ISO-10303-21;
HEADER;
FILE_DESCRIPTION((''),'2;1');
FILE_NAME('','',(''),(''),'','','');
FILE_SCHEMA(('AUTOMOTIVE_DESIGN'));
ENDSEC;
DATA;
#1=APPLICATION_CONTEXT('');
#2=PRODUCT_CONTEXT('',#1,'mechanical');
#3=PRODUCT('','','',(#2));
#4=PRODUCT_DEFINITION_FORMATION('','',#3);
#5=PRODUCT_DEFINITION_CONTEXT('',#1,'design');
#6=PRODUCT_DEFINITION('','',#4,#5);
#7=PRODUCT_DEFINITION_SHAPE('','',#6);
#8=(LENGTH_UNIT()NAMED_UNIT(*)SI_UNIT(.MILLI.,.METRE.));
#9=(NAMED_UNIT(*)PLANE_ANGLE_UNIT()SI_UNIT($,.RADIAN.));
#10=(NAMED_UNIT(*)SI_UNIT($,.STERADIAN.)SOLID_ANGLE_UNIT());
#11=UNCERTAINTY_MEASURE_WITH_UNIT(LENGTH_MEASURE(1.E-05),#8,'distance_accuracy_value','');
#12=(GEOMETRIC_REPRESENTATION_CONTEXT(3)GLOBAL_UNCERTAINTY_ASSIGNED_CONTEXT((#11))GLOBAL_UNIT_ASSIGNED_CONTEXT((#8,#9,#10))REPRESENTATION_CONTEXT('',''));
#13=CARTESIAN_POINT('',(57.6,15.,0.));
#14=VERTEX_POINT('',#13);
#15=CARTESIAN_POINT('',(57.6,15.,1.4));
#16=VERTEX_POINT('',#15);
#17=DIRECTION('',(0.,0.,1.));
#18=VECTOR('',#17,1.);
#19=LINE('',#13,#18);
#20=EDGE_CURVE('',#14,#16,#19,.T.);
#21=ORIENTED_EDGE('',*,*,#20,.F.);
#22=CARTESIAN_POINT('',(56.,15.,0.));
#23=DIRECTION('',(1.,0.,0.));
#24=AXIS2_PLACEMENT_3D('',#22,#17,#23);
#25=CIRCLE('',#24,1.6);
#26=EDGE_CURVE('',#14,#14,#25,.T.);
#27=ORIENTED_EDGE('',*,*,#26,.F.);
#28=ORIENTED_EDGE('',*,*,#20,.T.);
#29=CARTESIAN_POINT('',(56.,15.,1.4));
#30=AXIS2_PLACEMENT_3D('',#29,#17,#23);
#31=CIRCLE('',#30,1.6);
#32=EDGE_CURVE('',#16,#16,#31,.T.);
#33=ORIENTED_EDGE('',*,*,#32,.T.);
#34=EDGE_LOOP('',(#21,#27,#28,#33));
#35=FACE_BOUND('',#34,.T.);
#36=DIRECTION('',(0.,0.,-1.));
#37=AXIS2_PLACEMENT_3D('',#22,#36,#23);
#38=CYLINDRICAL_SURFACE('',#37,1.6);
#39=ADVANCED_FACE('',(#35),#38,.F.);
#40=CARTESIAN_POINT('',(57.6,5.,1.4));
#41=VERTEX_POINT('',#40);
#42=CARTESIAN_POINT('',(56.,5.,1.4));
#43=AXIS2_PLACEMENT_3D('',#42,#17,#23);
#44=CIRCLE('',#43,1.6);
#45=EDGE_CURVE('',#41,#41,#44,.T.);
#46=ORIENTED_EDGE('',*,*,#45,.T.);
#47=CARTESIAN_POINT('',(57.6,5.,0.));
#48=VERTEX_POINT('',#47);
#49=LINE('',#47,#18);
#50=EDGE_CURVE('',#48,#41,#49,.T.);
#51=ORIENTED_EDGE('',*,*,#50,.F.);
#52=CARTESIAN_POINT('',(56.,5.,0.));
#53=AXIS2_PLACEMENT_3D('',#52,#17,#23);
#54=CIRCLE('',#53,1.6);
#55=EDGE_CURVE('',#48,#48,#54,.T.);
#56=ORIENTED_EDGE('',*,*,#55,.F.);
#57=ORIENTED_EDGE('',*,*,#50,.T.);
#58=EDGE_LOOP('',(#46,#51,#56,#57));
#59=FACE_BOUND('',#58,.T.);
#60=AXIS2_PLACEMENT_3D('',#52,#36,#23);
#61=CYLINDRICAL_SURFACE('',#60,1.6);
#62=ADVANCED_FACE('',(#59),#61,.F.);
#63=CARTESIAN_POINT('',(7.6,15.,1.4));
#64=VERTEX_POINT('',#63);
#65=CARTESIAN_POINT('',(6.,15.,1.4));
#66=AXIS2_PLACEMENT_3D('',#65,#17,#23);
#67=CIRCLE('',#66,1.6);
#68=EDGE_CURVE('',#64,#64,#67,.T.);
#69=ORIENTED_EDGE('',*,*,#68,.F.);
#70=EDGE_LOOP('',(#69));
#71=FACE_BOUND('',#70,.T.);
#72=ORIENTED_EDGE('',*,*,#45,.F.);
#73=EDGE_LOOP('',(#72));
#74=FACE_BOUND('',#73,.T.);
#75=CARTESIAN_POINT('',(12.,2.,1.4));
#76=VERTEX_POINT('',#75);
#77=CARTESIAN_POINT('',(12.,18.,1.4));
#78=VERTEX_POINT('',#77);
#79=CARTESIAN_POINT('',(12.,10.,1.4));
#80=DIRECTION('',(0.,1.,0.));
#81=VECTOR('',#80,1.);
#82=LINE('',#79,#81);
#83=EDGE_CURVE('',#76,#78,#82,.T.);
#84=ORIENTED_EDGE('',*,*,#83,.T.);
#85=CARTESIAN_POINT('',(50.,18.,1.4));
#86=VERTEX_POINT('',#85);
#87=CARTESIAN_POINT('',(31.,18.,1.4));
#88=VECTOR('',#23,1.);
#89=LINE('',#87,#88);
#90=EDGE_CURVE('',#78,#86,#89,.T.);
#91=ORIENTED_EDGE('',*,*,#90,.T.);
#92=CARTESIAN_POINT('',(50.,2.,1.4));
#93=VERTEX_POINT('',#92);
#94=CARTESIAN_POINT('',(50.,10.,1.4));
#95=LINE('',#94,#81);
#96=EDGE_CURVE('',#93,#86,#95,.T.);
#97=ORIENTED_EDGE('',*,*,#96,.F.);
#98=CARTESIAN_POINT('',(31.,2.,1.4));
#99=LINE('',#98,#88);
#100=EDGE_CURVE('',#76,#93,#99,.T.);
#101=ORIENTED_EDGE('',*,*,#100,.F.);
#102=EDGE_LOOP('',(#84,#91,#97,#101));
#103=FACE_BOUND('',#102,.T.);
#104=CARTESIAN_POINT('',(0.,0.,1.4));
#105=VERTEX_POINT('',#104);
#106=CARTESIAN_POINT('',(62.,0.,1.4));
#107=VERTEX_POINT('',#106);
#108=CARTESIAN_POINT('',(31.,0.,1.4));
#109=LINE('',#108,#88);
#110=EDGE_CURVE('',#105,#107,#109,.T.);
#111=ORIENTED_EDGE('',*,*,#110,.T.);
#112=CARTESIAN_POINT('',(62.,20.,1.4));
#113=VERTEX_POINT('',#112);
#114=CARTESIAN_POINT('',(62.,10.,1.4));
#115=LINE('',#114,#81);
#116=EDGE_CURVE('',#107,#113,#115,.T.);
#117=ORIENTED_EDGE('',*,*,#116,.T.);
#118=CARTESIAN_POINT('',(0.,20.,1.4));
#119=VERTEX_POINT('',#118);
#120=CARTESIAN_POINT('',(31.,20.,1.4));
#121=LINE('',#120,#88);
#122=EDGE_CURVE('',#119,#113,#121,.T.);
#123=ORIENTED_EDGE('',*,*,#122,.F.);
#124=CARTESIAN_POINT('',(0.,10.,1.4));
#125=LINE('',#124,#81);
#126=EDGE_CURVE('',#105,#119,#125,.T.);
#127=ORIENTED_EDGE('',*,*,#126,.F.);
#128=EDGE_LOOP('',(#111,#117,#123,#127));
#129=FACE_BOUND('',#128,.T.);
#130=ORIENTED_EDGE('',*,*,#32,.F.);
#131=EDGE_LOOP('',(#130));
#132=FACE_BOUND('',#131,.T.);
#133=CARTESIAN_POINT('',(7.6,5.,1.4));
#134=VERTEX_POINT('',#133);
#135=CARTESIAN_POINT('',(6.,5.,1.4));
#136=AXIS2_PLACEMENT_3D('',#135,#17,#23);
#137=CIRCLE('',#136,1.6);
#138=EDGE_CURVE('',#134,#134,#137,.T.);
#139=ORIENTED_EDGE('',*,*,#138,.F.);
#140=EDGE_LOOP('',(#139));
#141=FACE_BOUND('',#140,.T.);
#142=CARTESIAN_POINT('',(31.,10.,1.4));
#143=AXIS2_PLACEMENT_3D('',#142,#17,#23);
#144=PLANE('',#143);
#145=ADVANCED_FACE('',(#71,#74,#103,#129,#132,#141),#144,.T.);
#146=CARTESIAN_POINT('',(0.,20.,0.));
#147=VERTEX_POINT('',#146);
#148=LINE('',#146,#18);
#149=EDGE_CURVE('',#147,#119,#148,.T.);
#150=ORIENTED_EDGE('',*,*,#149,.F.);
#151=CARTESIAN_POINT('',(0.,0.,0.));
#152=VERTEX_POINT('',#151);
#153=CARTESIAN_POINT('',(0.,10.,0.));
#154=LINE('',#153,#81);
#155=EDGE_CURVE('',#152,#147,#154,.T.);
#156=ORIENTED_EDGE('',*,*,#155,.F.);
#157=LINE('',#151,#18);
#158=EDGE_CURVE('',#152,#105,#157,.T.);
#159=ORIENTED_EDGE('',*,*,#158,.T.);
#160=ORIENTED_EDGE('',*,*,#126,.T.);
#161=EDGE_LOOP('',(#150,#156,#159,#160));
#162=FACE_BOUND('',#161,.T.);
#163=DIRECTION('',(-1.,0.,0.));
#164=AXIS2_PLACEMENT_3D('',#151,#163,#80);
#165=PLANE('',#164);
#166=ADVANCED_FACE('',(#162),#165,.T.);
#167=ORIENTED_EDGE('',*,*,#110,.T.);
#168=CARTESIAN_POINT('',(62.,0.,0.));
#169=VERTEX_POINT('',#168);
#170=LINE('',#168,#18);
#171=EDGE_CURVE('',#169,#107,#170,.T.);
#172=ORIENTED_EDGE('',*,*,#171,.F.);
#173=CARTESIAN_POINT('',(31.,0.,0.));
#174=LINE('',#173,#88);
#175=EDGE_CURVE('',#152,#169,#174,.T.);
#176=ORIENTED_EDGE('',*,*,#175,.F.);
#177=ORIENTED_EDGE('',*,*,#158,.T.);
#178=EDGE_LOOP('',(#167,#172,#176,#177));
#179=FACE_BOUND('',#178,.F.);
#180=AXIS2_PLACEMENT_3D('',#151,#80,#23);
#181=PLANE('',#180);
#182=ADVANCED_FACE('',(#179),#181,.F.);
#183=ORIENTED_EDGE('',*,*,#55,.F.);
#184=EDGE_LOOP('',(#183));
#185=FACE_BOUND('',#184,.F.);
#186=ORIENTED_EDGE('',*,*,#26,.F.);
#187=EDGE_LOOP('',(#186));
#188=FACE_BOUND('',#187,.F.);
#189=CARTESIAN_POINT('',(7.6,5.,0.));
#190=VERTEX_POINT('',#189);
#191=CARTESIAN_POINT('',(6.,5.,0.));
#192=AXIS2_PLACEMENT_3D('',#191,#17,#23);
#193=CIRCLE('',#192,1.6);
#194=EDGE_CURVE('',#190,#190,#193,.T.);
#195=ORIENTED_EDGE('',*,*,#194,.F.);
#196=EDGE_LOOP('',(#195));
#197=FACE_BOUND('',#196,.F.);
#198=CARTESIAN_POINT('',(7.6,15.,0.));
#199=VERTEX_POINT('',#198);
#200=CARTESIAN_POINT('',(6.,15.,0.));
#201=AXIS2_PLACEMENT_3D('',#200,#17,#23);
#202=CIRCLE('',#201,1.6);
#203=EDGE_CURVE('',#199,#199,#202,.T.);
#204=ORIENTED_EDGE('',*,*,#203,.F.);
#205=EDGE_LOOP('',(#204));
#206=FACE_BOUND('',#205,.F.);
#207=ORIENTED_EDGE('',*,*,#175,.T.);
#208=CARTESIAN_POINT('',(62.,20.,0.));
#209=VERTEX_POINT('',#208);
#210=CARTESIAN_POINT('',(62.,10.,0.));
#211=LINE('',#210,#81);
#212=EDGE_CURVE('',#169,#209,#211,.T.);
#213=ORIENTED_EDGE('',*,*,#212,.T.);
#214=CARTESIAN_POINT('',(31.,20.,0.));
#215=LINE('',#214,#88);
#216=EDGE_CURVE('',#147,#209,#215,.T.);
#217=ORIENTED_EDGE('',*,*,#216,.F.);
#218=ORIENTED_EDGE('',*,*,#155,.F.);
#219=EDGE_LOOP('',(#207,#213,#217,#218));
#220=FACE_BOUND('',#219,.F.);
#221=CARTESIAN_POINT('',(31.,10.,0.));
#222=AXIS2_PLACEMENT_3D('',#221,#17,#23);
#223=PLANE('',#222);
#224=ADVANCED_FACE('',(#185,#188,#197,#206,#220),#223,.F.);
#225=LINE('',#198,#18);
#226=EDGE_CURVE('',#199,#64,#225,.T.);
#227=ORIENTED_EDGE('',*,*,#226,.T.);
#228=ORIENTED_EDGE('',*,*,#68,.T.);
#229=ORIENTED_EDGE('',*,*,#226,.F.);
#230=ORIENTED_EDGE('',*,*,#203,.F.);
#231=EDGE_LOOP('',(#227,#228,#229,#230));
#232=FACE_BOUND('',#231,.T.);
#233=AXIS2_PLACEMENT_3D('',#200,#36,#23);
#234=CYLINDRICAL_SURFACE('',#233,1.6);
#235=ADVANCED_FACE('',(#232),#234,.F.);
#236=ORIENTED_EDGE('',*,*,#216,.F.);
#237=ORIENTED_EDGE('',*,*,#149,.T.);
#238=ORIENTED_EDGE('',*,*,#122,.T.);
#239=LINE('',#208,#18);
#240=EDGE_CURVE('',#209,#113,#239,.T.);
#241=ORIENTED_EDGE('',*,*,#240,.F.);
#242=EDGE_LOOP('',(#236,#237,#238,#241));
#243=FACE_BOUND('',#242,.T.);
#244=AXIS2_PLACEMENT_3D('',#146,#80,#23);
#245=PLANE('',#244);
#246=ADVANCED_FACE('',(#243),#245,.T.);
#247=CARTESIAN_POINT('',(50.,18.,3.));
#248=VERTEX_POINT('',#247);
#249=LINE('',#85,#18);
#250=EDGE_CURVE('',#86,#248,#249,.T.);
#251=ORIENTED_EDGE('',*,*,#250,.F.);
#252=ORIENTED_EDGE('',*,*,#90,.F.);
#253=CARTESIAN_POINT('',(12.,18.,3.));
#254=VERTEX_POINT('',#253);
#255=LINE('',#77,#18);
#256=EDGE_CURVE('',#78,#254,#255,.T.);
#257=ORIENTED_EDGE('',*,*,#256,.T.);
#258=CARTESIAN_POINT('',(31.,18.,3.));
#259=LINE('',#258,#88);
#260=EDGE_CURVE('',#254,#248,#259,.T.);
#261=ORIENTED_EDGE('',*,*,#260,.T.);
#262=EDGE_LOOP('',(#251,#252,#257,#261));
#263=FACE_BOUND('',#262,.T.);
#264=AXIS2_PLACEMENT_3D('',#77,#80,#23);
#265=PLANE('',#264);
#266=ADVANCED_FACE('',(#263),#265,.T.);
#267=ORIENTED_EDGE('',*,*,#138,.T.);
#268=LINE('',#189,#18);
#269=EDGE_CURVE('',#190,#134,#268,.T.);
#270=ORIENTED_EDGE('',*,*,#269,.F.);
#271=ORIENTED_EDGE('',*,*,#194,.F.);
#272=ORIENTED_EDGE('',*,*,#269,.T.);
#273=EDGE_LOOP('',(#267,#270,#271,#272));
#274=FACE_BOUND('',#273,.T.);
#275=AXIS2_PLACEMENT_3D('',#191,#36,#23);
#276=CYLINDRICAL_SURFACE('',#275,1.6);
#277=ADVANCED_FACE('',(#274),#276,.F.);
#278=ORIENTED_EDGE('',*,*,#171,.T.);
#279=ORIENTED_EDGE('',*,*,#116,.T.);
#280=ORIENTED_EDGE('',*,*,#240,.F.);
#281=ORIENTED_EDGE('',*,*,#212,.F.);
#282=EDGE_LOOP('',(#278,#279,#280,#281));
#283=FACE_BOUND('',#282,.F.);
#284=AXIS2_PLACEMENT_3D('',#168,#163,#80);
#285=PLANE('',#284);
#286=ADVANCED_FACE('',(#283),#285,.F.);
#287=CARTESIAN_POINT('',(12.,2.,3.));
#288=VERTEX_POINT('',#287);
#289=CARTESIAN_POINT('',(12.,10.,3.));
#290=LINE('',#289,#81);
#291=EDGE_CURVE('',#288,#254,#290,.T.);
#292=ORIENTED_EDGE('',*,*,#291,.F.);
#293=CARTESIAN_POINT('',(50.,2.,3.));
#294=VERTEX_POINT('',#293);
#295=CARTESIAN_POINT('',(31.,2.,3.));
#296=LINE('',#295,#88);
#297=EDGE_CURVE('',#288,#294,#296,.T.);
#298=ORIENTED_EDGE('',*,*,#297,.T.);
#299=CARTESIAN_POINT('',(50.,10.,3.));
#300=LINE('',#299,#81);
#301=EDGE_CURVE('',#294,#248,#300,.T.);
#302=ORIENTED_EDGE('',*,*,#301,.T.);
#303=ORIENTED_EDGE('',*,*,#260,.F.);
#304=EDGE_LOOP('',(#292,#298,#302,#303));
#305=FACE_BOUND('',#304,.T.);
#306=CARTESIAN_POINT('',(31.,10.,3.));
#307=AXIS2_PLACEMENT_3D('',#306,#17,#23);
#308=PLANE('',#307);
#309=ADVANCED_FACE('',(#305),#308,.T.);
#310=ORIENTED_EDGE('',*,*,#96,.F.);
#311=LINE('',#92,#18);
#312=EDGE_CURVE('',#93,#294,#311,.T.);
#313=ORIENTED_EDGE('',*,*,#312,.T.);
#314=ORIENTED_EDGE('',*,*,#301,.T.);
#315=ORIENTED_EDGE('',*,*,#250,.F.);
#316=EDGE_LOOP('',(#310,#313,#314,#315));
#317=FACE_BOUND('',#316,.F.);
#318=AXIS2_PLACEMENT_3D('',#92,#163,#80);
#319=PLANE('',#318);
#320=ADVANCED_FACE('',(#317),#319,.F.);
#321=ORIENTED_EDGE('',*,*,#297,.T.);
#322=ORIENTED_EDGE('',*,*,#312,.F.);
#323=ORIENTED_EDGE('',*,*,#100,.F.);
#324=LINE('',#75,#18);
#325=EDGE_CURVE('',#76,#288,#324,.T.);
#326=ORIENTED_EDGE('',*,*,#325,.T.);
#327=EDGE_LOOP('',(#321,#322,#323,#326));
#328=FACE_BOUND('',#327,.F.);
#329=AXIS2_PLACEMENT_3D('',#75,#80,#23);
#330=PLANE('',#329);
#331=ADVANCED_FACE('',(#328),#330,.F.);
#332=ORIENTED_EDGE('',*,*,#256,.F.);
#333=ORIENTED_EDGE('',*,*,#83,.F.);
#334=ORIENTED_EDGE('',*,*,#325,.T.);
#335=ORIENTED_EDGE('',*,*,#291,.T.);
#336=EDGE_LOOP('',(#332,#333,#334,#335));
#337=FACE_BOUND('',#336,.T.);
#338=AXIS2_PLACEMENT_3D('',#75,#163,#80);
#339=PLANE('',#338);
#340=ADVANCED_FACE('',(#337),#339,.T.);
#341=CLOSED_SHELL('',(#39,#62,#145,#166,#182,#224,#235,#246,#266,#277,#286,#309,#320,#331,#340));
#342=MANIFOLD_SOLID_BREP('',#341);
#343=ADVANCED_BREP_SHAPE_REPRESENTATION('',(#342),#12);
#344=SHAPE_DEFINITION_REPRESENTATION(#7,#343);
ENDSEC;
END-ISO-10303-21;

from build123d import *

# Parameters (mm, degrees)
F0_W     = 62
F0_H     = 20
F0_R     = 1.6
F1_DEPTH = 1.4
F2_W     = 38
F2_H     = 16
F3_DEPTH = 1.6


with BuildPart() as f1:
    # F0 (on Top) → F1 (new body)
    with BuildSketch(Plane.XY):
        with Locations((31, 10)):
            Rectangle(F0_W, F0_H)
        with Locations((6, 5)):
            Circle(F0_R, mode=Mode.SUBTRACT)
        with Locations((56, 5)):
            Circle(F0_R, mode=Mode.SUBTRACT)
        with Locations((6, 15)):
            Circle(F0_R, mode=Mode.SUBTRACT)
        with Locations((56, 15)):
            Circle(F0_R, mode=Mode.SUBTRACT)
    extrude(amount=F1_DEPTH)

    # F2 (on face) → F3 (join)
    with BuildSketch(Plane.XY.offset(1.4)):
        with Locations((31, 10)):
            Rectangle(F2_W, F2_H)
    extrude(amount=F3_DEPTH)


solid = f1.part
